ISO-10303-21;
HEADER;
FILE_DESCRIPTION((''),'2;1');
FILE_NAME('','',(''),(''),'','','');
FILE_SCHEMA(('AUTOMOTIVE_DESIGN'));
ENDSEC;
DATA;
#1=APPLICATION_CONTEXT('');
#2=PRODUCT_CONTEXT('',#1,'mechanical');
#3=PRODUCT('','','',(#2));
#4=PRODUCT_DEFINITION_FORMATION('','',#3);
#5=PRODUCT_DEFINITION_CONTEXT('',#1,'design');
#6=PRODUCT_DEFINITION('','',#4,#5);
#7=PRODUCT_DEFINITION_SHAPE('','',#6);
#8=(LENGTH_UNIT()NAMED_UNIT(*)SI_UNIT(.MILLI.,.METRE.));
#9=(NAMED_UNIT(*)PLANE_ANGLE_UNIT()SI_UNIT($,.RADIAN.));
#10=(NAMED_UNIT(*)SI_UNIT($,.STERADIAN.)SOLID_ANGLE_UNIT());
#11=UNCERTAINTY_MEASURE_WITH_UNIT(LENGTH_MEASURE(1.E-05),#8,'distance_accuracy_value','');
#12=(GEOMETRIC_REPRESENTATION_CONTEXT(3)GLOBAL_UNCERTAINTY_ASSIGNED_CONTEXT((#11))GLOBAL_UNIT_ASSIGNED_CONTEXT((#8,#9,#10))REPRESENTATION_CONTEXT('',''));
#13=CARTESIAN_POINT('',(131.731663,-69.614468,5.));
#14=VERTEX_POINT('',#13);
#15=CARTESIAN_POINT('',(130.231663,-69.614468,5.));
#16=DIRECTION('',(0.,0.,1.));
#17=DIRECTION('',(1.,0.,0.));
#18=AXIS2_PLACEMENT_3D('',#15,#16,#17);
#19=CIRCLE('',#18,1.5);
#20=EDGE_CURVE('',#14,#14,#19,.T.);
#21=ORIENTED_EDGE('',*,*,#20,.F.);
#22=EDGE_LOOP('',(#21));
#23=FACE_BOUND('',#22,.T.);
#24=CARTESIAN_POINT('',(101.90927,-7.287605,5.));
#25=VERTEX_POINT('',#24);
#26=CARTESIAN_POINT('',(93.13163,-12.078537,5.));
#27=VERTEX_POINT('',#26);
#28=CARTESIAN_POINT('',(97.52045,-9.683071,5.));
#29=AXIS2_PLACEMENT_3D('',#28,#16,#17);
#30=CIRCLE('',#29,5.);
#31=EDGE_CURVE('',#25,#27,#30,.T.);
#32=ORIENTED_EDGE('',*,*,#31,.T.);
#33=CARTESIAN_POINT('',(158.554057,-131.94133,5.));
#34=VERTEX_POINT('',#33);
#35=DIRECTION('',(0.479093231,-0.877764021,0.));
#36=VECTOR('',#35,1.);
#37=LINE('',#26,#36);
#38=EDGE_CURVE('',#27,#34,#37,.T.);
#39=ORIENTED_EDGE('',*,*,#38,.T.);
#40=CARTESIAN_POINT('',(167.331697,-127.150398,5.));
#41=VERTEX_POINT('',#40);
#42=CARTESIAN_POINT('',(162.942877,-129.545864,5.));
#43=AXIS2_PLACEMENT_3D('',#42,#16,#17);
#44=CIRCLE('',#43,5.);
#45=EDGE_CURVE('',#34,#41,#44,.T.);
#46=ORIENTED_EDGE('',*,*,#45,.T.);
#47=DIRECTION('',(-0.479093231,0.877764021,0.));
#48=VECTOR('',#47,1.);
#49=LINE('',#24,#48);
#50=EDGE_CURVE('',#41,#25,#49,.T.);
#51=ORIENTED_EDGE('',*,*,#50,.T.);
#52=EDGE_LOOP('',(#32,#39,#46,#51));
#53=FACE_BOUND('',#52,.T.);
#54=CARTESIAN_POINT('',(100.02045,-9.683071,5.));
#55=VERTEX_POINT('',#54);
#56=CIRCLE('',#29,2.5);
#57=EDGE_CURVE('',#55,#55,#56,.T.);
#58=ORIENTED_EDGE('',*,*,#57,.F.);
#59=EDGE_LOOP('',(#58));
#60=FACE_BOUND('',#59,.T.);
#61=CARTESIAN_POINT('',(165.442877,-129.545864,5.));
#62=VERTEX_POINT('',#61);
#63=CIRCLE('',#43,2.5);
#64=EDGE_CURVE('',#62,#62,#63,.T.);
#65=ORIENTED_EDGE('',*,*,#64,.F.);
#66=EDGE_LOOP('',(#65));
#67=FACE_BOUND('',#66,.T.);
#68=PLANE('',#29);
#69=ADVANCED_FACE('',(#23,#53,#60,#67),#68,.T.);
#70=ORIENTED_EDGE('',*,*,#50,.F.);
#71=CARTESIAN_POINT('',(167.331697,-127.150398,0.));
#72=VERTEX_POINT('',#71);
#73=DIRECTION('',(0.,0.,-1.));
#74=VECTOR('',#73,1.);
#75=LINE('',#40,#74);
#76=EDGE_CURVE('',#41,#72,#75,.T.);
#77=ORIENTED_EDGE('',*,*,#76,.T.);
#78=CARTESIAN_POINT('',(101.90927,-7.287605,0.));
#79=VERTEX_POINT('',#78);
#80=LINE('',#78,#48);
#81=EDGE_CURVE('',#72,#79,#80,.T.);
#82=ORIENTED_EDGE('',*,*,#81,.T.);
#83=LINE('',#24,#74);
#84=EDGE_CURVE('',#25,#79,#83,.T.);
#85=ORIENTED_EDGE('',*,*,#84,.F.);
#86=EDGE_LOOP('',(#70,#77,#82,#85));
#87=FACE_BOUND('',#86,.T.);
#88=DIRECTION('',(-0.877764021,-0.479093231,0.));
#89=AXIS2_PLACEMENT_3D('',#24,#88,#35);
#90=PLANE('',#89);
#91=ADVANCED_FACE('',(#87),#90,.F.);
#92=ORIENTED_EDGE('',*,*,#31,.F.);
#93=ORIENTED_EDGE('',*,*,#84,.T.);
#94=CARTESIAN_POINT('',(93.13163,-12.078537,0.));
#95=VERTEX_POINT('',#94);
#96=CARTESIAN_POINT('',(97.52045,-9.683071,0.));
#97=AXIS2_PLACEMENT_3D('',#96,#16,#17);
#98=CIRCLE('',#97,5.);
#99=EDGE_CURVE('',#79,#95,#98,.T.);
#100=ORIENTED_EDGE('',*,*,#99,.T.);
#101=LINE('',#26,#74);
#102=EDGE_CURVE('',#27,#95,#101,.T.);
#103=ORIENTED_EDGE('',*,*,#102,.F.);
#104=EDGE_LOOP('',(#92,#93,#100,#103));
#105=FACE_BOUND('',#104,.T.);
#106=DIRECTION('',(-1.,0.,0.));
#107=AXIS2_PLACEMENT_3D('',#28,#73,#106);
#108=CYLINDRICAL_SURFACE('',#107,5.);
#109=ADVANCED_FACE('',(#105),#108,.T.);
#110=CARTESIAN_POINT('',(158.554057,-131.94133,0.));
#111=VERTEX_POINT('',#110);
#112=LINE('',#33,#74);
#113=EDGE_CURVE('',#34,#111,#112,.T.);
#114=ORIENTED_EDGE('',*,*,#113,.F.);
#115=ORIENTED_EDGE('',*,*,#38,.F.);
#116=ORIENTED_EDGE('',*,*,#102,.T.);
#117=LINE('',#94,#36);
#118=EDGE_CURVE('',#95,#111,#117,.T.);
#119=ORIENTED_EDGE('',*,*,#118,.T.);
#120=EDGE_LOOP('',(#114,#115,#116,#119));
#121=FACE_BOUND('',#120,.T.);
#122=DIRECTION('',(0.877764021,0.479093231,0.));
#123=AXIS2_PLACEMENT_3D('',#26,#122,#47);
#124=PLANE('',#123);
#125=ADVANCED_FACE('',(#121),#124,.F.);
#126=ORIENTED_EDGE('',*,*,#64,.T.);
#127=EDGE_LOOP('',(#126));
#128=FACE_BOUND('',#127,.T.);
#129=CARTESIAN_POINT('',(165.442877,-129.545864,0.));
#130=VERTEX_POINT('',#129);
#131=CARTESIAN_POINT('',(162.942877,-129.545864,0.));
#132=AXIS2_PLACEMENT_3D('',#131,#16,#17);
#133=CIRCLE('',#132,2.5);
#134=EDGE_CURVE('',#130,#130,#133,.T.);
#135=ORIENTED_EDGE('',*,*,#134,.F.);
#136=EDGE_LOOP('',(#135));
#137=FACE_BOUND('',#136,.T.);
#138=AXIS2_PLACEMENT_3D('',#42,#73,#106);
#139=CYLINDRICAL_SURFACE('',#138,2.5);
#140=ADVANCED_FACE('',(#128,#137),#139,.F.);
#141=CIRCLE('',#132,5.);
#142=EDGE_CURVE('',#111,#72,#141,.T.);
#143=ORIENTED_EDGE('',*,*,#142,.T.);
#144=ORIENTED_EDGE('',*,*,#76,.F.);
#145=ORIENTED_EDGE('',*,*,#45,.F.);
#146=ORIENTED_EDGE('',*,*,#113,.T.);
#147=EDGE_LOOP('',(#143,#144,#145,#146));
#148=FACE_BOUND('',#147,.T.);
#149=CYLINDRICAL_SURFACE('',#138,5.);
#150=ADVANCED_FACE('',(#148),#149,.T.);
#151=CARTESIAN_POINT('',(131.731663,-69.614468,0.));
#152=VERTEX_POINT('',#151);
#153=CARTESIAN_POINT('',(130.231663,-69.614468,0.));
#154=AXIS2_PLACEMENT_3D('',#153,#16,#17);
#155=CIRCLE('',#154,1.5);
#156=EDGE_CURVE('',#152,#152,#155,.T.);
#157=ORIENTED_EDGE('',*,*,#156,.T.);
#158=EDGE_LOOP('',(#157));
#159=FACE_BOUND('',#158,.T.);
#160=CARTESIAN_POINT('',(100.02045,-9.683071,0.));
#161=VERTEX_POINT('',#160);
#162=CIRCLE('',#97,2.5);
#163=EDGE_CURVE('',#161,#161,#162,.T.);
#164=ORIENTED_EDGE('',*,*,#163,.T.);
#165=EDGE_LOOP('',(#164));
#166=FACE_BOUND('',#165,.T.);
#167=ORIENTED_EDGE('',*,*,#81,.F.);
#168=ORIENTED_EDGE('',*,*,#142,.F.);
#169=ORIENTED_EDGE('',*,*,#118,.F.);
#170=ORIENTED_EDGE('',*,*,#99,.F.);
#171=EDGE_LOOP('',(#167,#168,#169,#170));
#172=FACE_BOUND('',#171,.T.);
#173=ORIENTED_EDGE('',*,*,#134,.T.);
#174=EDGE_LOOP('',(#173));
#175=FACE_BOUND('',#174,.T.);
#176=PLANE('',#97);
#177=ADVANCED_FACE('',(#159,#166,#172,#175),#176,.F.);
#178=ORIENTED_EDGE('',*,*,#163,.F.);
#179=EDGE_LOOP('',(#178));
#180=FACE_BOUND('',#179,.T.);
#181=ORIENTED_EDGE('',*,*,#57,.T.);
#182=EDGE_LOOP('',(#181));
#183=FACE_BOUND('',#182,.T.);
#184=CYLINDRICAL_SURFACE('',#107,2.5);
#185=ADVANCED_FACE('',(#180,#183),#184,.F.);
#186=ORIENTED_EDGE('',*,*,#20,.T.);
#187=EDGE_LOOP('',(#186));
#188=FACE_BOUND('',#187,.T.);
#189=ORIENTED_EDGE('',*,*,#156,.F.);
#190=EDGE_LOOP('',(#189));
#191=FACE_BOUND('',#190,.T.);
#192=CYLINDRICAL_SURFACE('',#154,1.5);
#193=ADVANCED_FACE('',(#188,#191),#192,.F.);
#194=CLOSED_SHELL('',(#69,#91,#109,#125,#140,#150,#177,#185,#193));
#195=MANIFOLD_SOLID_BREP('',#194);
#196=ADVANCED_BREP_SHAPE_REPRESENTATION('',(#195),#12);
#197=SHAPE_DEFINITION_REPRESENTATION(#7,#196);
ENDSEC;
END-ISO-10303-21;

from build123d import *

# Parameters (mm, degrees)
ESQUISSE1_R             = 2.5
BOSS_EXTRU_1_DEPTH      = 5
ESQUISSE2_R             = 1.5
ENL_V_MAT_EXTRU_1_DEPTH = 216.249621368


with BuildPart() as part:
    # Esquisse1 → Boss.-Extru.1 (new body)
    with BuildSketch(Plane.XY):
        with BuildLine():
            Line((101.909269915, -7.287605066), (167.331697147, -127.150397953))
            ThreePointArc((167.331697147, -127.150397953), (165.338343201, -133.934684212), (158.554056942, -131.941330266))
            Line((158.554056942, -131.941330266), (93.13162971, -12.078537379))
            ThreePointArc((93.13162971, -12.078537379), (95.124983656, -5.29425112), (101.909269915, -7.287605066))
        make_face()
        with Locations((97.520449813, -9.683071223)):
            Circle(ESQUISSE1_R, mode=Mode.SUBTRACT)
        with Locations((162.942877045, -129.545864109)):
            Circle(ESQUISSE1_R, mode=Mode.SUBTRACT)
    extrude(amount=BOSS_EXTRU_1_DEPTH)

    # Esquisse2 → Enlèv. mat.-Extru.1 (cut, through all)
    with BuildSketch(Plane.XY.offset(5)):
        with Locations((130.231663429, -69.614467666)):
            Circle(ESQUISSE2_R)
    extrude(amount=-ENL_V_MAT_EXTRU_1_DEPTH, mode=Mode.SUBTRACT)


solid = part.part
